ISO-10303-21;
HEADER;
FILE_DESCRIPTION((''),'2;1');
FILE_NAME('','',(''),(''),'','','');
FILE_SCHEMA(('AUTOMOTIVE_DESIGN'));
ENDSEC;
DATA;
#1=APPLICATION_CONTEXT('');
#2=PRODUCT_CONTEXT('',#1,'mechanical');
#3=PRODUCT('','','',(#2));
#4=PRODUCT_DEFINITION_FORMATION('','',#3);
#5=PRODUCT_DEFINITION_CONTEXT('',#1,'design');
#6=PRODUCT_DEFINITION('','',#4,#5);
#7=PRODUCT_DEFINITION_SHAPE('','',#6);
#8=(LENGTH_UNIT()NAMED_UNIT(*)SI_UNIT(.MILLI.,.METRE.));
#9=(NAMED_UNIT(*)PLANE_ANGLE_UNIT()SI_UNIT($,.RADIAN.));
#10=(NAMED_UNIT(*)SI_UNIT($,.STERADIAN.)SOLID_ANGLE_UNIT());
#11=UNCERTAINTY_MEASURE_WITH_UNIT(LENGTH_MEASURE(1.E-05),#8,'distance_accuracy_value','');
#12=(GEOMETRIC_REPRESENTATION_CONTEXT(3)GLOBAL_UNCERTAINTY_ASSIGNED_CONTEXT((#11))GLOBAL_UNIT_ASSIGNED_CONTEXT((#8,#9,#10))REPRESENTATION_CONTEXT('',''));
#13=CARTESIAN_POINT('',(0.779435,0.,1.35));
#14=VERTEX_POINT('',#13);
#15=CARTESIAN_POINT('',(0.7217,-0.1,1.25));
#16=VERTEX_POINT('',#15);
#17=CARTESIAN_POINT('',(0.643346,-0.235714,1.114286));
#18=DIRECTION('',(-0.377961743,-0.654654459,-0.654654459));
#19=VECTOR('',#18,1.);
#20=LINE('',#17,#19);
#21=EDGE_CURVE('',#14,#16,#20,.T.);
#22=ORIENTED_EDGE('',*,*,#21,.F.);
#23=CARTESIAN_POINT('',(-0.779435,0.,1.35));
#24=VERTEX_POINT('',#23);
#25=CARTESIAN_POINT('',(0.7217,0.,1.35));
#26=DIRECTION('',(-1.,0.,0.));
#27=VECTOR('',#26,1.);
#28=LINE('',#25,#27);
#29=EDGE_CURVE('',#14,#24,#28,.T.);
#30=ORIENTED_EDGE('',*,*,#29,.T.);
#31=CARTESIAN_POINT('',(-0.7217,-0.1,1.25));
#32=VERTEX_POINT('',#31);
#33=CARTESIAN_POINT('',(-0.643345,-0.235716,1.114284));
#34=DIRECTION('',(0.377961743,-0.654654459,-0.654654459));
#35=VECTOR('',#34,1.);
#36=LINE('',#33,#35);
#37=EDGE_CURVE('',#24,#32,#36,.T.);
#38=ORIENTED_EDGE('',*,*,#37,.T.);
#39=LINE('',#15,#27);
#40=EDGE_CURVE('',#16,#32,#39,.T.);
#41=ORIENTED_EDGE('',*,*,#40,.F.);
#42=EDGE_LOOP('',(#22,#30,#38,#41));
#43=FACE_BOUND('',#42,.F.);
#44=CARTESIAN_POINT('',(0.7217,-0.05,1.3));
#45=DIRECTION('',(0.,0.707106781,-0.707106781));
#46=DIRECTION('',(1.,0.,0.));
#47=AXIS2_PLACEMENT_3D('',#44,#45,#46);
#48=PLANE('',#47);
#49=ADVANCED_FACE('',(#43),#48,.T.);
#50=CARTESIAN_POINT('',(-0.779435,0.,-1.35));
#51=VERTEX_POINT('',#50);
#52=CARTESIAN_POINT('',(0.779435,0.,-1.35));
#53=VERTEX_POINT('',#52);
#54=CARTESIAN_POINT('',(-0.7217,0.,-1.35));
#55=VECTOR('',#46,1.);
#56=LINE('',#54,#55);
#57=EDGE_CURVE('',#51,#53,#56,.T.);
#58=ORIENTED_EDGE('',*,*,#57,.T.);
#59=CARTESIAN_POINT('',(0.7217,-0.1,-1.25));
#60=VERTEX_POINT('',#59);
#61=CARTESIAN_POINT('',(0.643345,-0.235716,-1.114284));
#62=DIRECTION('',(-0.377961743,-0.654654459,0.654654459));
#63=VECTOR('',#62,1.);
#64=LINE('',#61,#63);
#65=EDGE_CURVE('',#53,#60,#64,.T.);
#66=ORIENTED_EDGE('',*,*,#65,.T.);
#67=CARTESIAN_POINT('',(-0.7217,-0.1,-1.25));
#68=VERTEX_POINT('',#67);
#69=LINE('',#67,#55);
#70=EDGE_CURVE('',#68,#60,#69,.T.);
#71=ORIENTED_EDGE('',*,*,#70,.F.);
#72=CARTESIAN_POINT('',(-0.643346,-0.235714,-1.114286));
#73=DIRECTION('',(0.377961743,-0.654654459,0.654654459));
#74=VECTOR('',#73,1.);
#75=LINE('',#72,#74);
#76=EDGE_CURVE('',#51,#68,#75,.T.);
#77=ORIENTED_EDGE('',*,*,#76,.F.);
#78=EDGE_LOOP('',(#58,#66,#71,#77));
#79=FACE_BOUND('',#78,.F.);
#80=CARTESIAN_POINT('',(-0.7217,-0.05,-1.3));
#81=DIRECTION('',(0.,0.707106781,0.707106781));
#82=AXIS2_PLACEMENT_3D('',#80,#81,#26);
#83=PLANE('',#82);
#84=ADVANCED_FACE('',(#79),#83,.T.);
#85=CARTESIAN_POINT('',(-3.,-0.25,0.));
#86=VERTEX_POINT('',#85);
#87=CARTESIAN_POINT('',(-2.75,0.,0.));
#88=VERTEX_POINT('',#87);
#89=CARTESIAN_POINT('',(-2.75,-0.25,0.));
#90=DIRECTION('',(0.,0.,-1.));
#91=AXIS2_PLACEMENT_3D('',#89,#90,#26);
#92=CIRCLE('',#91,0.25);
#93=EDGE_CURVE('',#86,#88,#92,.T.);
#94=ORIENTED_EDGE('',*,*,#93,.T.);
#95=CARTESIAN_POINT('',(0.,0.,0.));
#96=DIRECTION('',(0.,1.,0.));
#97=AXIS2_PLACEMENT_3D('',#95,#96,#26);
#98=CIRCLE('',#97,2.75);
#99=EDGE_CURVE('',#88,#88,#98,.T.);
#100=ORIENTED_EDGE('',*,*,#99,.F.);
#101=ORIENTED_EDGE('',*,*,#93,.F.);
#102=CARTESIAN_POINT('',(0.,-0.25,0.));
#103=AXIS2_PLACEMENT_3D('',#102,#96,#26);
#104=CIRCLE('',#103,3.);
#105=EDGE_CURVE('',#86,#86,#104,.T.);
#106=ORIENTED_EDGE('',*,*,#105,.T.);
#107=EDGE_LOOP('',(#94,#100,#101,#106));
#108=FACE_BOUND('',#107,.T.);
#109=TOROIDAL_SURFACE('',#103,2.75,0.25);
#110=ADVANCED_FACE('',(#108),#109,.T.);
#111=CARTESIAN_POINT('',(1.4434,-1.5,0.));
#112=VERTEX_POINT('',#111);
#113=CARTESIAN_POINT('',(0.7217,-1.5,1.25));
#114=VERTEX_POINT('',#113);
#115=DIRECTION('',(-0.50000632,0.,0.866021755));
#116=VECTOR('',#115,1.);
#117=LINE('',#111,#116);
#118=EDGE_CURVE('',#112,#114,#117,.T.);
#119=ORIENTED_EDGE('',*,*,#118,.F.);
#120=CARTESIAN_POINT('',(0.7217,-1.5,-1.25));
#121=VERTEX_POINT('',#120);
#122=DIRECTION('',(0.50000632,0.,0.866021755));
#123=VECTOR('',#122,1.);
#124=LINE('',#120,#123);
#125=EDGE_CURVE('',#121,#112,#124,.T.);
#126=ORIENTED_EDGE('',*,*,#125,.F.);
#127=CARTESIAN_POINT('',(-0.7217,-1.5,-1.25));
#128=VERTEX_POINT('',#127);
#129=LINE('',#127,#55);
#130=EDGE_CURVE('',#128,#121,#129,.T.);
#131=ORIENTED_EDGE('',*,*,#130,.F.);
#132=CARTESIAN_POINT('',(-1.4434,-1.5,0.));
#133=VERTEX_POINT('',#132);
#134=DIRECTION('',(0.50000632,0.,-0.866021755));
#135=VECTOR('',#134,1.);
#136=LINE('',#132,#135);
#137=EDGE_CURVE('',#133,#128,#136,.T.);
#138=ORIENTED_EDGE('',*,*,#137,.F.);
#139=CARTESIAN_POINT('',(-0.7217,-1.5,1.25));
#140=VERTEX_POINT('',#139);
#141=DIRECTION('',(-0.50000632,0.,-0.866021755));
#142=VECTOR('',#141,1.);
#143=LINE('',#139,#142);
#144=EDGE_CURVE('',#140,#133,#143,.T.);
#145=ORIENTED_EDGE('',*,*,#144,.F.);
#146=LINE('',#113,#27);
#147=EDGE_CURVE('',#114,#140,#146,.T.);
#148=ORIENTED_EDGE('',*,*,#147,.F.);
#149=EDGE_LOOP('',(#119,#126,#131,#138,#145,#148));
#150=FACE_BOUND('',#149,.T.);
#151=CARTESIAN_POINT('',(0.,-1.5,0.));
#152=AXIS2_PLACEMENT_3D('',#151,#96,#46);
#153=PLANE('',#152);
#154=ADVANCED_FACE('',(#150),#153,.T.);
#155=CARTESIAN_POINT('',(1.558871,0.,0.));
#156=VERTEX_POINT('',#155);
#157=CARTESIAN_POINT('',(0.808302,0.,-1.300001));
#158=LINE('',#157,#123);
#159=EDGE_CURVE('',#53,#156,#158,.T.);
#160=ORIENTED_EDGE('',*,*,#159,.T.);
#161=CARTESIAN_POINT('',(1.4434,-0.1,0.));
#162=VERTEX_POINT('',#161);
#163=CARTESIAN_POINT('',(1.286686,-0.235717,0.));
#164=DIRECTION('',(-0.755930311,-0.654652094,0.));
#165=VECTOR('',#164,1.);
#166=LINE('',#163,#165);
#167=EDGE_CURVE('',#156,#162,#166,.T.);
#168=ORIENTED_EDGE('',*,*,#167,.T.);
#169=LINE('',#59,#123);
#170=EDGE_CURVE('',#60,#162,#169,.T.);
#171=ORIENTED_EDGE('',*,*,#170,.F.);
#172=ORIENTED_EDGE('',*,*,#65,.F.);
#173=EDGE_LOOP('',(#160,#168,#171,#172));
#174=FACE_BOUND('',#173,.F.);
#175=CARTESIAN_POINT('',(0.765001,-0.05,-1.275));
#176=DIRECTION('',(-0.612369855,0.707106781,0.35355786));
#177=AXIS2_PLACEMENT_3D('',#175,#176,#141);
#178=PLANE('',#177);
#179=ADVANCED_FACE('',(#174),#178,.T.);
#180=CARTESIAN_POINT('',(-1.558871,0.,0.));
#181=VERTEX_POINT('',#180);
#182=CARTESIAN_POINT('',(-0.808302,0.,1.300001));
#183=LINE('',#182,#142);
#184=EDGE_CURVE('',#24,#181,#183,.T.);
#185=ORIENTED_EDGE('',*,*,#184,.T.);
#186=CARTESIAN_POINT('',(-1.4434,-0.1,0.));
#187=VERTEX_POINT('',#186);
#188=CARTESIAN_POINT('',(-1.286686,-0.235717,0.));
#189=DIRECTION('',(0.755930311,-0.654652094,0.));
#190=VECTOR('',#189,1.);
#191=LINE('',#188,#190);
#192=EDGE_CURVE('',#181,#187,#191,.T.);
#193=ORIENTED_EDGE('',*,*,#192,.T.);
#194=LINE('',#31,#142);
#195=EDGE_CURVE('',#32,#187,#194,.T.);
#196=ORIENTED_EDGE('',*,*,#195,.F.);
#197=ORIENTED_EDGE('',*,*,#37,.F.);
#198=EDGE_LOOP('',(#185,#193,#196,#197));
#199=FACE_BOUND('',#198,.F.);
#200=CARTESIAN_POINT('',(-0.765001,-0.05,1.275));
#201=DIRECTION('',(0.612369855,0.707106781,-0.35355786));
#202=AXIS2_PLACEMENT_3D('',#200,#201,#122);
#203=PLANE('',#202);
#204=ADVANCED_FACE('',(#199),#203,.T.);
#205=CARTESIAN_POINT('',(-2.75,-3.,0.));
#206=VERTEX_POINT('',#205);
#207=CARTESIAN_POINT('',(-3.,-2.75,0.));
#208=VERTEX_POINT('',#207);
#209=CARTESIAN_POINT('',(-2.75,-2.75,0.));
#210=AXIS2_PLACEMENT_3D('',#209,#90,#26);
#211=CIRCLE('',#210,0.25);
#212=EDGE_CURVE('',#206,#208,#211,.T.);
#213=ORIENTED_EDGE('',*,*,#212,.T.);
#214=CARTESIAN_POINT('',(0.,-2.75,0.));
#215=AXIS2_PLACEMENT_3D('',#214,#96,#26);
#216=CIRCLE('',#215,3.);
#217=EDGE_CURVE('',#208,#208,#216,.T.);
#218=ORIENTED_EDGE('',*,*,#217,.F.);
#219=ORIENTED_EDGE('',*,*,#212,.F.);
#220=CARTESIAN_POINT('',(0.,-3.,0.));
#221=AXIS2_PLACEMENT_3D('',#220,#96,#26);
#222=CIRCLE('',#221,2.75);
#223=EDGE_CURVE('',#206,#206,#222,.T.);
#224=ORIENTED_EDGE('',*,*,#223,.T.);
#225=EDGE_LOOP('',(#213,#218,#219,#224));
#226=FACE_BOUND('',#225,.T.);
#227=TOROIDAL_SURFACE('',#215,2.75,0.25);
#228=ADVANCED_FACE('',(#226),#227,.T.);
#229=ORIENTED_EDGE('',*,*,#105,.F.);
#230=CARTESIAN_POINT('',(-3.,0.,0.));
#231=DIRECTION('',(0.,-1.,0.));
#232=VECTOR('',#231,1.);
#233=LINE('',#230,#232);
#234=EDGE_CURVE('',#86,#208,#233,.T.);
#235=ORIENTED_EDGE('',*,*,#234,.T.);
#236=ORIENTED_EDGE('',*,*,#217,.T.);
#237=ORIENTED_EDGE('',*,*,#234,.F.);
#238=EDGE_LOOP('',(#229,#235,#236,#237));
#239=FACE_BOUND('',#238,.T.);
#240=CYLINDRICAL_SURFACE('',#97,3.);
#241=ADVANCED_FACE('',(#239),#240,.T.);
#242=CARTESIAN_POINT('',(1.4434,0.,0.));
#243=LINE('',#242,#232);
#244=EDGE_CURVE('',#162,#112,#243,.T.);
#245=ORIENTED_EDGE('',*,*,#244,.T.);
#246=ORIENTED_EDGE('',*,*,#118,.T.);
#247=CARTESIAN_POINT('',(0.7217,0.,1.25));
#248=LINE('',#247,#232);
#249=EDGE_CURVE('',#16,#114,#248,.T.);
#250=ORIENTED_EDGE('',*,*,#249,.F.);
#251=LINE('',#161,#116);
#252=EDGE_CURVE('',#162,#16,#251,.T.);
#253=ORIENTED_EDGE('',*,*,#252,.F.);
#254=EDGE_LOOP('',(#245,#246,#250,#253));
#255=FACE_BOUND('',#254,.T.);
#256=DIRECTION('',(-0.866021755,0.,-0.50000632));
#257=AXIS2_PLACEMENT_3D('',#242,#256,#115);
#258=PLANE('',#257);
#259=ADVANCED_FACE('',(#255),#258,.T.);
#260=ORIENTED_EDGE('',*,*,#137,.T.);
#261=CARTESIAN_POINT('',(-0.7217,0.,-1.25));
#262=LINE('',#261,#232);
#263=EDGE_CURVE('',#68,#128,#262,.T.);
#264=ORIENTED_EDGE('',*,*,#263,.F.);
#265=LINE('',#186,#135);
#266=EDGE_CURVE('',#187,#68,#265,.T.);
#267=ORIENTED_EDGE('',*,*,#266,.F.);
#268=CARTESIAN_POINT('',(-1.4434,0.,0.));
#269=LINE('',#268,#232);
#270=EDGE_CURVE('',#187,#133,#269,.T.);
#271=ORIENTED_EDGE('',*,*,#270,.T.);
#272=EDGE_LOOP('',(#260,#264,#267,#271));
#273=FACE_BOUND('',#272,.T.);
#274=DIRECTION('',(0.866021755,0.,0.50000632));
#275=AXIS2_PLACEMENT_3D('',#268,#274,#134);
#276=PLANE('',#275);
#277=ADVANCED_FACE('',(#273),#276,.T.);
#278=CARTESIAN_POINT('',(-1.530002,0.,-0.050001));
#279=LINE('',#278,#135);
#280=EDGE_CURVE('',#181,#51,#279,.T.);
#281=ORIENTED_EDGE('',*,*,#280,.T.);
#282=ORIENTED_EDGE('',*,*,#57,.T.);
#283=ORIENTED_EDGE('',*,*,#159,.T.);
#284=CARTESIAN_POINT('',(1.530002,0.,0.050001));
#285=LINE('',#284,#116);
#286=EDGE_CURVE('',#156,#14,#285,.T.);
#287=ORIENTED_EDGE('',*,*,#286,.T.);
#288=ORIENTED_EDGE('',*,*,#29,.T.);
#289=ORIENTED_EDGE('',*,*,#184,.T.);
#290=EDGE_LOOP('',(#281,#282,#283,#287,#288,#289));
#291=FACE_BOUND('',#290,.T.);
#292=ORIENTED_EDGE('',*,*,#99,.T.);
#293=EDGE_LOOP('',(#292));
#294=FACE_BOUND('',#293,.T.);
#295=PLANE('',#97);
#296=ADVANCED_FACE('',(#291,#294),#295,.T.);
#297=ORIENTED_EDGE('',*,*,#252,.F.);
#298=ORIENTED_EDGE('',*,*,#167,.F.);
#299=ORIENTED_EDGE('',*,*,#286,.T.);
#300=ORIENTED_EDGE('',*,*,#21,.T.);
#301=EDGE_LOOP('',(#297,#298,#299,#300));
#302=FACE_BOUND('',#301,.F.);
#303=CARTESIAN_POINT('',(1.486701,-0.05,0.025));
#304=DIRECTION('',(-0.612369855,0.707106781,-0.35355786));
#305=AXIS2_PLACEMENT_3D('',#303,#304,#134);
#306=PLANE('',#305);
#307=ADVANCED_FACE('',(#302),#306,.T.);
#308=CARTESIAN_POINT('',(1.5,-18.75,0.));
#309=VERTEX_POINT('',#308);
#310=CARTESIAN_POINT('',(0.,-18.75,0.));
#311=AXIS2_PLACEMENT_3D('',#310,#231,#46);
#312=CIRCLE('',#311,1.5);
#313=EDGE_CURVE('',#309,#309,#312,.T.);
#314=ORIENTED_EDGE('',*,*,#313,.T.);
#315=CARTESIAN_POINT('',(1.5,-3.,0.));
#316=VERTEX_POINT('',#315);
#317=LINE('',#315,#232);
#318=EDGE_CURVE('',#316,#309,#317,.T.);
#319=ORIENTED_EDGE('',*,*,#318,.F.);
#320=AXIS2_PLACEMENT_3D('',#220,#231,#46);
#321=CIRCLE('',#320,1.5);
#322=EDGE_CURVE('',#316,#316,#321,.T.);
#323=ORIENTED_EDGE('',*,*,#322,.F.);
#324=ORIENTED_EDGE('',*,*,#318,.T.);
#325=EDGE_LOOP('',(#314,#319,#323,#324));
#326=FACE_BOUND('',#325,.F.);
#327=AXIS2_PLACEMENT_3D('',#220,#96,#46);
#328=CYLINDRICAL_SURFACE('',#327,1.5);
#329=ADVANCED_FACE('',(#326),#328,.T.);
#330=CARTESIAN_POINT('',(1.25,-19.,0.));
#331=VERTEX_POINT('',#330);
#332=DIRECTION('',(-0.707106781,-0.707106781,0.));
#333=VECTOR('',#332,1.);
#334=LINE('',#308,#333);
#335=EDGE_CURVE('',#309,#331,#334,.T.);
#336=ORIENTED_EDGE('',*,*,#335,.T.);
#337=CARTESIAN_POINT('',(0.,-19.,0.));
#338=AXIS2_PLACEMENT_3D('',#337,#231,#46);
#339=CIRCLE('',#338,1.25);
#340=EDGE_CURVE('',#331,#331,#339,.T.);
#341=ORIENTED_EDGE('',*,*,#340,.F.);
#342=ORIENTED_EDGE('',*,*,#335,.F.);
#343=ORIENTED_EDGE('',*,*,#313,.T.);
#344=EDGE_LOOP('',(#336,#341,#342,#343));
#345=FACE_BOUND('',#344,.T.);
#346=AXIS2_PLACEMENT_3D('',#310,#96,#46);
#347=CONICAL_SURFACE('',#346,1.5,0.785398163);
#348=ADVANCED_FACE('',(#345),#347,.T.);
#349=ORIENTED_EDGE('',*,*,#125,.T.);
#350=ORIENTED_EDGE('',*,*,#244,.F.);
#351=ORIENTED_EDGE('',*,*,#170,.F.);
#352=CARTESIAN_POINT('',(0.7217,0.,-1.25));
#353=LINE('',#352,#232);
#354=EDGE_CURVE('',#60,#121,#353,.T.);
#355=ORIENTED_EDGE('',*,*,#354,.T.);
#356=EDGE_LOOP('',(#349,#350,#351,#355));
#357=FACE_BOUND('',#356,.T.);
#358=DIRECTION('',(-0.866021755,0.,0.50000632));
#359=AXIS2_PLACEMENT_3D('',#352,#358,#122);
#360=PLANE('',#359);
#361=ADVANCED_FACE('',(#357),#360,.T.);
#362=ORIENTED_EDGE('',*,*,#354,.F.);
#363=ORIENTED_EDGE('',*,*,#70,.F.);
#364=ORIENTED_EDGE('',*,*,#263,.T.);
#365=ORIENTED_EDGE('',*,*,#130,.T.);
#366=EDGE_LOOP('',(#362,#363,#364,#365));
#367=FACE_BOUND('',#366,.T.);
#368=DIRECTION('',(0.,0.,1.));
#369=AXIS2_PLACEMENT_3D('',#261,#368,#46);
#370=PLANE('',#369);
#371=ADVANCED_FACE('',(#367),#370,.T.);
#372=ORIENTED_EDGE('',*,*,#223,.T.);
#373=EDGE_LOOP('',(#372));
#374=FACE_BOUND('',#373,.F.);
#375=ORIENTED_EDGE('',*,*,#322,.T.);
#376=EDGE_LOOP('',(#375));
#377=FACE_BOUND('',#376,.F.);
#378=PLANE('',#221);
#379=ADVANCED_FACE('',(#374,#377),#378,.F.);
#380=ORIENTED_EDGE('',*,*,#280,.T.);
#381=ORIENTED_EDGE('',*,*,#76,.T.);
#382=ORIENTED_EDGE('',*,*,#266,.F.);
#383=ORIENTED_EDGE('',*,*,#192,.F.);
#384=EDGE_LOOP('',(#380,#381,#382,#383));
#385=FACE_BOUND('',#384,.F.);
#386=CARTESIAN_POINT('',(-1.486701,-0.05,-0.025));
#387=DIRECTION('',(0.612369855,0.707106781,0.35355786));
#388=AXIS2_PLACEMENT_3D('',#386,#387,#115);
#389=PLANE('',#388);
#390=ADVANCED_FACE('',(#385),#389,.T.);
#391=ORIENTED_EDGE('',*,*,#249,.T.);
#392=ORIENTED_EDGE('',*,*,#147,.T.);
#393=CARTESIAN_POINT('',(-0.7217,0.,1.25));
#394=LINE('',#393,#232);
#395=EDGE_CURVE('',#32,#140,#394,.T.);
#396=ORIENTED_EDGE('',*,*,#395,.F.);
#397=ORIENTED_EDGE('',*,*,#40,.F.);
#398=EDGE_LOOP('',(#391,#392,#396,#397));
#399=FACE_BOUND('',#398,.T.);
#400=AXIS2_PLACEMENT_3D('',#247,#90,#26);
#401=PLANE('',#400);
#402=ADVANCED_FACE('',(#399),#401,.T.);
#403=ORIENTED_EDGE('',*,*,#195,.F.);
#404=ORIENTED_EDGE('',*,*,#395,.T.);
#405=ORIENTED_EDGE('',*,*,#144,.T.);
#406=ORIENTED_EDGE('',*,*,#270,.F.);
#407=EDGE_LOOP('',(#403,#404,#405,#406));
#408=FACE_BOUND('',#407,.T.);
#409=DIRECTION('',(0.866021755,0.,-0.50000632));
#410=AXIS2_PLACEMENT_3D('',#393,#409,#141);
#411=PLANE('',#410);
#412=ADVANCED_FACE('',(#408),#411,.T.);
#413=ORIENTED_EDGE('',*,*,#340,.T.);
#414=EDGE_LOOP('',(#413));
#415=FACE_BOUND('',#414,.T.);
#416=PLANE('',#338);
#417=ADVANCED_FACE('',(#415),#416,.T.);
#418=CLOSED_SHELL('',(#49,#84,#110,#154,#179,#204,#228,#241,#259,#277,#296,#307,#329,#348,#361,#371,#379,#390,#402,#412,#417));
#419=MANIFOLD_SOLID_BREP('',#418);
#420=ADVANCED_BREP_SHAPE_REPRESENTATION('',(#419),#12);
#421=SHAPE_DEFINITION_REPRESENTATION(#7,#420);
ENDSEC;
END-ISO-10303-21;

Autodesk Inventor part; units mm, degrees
ref_plane "YZ Plane" through (0, 0, 0) normal (1, 0, 0) x (0, 1, 0)
ref_plane "XZ Plane" through (0, 0, 0) normal (0, 1, 0) x (-1, 0, 0)
ref_plane "XY Plane" through (0, 0, 0) normal (0, 0, 1) x (1, 0, 0)
sketch "Sketch1" plane through (0, 0, 0) normal (0, 1, 0) x (-1, 0, 0)
  circle A0 centre (0, 0) radius 3
  dimension "d0" = 6
extrude "Extrusion1" add sketch "Sketch1" against normal blind 3
sketch "Sketch2" plane through (0, -3, 0) normal (0, -1, 0) x (1, 0, 0)
  circle A0 centre (0, 0) radius 1.5
  dimension "d3" = 3
extrude "Extrusion2" add sketch "Sketch2" along normal blind 16
sketch "Sketch3" plane through (0, 0, 0) normal (0, 1, 0) x (1, 0, 0)
  circle A0 centre (0, 0) radius 1.5 construction
  line L0 (1.4434, 0) -> (0.7217, -1.25)
  line L1 (0.7217, -1.25) -> (-0.7217, -1.25)
  line L2 (-0.7217, -1.25) -> (-1.4434, 0)
  line L3 (-1.4434, 0) -> (-0.7217, 1.25)
  line L4 (-0.7217, 1.25) -> (0.7217, 1.25)
  line L5 (0.7217, 1.25) -> (1.4434, 0)
  dimension "d8" = 2.5
extrude "Extrusion3" cut sketch "Sketch3" against normal blind 1.5
chamfer "Chamfer1" distance 0.25 angle 45 1 edges at (-1.5, -19, 0)
fillet "Fillet1" radius 0.25 2 edges at (3, 0, 0) (3, -3, 0)
chamfer "Chamfer2" distance 0.1 angle 45 6 edges at (0, 0, -1.25) (1.0825, 0, -0.625) (1.0825, 0, 0.625) (0, 0, 1.25) (-1.0825, 0, 0.625) (-1.0825, 0, -0.625)
thread "Thread2" size "M3x0.5" class "6g" standard "ANSI Metric M Profile" full length
properties part number "M3-16" material "Steel, Carbon"
